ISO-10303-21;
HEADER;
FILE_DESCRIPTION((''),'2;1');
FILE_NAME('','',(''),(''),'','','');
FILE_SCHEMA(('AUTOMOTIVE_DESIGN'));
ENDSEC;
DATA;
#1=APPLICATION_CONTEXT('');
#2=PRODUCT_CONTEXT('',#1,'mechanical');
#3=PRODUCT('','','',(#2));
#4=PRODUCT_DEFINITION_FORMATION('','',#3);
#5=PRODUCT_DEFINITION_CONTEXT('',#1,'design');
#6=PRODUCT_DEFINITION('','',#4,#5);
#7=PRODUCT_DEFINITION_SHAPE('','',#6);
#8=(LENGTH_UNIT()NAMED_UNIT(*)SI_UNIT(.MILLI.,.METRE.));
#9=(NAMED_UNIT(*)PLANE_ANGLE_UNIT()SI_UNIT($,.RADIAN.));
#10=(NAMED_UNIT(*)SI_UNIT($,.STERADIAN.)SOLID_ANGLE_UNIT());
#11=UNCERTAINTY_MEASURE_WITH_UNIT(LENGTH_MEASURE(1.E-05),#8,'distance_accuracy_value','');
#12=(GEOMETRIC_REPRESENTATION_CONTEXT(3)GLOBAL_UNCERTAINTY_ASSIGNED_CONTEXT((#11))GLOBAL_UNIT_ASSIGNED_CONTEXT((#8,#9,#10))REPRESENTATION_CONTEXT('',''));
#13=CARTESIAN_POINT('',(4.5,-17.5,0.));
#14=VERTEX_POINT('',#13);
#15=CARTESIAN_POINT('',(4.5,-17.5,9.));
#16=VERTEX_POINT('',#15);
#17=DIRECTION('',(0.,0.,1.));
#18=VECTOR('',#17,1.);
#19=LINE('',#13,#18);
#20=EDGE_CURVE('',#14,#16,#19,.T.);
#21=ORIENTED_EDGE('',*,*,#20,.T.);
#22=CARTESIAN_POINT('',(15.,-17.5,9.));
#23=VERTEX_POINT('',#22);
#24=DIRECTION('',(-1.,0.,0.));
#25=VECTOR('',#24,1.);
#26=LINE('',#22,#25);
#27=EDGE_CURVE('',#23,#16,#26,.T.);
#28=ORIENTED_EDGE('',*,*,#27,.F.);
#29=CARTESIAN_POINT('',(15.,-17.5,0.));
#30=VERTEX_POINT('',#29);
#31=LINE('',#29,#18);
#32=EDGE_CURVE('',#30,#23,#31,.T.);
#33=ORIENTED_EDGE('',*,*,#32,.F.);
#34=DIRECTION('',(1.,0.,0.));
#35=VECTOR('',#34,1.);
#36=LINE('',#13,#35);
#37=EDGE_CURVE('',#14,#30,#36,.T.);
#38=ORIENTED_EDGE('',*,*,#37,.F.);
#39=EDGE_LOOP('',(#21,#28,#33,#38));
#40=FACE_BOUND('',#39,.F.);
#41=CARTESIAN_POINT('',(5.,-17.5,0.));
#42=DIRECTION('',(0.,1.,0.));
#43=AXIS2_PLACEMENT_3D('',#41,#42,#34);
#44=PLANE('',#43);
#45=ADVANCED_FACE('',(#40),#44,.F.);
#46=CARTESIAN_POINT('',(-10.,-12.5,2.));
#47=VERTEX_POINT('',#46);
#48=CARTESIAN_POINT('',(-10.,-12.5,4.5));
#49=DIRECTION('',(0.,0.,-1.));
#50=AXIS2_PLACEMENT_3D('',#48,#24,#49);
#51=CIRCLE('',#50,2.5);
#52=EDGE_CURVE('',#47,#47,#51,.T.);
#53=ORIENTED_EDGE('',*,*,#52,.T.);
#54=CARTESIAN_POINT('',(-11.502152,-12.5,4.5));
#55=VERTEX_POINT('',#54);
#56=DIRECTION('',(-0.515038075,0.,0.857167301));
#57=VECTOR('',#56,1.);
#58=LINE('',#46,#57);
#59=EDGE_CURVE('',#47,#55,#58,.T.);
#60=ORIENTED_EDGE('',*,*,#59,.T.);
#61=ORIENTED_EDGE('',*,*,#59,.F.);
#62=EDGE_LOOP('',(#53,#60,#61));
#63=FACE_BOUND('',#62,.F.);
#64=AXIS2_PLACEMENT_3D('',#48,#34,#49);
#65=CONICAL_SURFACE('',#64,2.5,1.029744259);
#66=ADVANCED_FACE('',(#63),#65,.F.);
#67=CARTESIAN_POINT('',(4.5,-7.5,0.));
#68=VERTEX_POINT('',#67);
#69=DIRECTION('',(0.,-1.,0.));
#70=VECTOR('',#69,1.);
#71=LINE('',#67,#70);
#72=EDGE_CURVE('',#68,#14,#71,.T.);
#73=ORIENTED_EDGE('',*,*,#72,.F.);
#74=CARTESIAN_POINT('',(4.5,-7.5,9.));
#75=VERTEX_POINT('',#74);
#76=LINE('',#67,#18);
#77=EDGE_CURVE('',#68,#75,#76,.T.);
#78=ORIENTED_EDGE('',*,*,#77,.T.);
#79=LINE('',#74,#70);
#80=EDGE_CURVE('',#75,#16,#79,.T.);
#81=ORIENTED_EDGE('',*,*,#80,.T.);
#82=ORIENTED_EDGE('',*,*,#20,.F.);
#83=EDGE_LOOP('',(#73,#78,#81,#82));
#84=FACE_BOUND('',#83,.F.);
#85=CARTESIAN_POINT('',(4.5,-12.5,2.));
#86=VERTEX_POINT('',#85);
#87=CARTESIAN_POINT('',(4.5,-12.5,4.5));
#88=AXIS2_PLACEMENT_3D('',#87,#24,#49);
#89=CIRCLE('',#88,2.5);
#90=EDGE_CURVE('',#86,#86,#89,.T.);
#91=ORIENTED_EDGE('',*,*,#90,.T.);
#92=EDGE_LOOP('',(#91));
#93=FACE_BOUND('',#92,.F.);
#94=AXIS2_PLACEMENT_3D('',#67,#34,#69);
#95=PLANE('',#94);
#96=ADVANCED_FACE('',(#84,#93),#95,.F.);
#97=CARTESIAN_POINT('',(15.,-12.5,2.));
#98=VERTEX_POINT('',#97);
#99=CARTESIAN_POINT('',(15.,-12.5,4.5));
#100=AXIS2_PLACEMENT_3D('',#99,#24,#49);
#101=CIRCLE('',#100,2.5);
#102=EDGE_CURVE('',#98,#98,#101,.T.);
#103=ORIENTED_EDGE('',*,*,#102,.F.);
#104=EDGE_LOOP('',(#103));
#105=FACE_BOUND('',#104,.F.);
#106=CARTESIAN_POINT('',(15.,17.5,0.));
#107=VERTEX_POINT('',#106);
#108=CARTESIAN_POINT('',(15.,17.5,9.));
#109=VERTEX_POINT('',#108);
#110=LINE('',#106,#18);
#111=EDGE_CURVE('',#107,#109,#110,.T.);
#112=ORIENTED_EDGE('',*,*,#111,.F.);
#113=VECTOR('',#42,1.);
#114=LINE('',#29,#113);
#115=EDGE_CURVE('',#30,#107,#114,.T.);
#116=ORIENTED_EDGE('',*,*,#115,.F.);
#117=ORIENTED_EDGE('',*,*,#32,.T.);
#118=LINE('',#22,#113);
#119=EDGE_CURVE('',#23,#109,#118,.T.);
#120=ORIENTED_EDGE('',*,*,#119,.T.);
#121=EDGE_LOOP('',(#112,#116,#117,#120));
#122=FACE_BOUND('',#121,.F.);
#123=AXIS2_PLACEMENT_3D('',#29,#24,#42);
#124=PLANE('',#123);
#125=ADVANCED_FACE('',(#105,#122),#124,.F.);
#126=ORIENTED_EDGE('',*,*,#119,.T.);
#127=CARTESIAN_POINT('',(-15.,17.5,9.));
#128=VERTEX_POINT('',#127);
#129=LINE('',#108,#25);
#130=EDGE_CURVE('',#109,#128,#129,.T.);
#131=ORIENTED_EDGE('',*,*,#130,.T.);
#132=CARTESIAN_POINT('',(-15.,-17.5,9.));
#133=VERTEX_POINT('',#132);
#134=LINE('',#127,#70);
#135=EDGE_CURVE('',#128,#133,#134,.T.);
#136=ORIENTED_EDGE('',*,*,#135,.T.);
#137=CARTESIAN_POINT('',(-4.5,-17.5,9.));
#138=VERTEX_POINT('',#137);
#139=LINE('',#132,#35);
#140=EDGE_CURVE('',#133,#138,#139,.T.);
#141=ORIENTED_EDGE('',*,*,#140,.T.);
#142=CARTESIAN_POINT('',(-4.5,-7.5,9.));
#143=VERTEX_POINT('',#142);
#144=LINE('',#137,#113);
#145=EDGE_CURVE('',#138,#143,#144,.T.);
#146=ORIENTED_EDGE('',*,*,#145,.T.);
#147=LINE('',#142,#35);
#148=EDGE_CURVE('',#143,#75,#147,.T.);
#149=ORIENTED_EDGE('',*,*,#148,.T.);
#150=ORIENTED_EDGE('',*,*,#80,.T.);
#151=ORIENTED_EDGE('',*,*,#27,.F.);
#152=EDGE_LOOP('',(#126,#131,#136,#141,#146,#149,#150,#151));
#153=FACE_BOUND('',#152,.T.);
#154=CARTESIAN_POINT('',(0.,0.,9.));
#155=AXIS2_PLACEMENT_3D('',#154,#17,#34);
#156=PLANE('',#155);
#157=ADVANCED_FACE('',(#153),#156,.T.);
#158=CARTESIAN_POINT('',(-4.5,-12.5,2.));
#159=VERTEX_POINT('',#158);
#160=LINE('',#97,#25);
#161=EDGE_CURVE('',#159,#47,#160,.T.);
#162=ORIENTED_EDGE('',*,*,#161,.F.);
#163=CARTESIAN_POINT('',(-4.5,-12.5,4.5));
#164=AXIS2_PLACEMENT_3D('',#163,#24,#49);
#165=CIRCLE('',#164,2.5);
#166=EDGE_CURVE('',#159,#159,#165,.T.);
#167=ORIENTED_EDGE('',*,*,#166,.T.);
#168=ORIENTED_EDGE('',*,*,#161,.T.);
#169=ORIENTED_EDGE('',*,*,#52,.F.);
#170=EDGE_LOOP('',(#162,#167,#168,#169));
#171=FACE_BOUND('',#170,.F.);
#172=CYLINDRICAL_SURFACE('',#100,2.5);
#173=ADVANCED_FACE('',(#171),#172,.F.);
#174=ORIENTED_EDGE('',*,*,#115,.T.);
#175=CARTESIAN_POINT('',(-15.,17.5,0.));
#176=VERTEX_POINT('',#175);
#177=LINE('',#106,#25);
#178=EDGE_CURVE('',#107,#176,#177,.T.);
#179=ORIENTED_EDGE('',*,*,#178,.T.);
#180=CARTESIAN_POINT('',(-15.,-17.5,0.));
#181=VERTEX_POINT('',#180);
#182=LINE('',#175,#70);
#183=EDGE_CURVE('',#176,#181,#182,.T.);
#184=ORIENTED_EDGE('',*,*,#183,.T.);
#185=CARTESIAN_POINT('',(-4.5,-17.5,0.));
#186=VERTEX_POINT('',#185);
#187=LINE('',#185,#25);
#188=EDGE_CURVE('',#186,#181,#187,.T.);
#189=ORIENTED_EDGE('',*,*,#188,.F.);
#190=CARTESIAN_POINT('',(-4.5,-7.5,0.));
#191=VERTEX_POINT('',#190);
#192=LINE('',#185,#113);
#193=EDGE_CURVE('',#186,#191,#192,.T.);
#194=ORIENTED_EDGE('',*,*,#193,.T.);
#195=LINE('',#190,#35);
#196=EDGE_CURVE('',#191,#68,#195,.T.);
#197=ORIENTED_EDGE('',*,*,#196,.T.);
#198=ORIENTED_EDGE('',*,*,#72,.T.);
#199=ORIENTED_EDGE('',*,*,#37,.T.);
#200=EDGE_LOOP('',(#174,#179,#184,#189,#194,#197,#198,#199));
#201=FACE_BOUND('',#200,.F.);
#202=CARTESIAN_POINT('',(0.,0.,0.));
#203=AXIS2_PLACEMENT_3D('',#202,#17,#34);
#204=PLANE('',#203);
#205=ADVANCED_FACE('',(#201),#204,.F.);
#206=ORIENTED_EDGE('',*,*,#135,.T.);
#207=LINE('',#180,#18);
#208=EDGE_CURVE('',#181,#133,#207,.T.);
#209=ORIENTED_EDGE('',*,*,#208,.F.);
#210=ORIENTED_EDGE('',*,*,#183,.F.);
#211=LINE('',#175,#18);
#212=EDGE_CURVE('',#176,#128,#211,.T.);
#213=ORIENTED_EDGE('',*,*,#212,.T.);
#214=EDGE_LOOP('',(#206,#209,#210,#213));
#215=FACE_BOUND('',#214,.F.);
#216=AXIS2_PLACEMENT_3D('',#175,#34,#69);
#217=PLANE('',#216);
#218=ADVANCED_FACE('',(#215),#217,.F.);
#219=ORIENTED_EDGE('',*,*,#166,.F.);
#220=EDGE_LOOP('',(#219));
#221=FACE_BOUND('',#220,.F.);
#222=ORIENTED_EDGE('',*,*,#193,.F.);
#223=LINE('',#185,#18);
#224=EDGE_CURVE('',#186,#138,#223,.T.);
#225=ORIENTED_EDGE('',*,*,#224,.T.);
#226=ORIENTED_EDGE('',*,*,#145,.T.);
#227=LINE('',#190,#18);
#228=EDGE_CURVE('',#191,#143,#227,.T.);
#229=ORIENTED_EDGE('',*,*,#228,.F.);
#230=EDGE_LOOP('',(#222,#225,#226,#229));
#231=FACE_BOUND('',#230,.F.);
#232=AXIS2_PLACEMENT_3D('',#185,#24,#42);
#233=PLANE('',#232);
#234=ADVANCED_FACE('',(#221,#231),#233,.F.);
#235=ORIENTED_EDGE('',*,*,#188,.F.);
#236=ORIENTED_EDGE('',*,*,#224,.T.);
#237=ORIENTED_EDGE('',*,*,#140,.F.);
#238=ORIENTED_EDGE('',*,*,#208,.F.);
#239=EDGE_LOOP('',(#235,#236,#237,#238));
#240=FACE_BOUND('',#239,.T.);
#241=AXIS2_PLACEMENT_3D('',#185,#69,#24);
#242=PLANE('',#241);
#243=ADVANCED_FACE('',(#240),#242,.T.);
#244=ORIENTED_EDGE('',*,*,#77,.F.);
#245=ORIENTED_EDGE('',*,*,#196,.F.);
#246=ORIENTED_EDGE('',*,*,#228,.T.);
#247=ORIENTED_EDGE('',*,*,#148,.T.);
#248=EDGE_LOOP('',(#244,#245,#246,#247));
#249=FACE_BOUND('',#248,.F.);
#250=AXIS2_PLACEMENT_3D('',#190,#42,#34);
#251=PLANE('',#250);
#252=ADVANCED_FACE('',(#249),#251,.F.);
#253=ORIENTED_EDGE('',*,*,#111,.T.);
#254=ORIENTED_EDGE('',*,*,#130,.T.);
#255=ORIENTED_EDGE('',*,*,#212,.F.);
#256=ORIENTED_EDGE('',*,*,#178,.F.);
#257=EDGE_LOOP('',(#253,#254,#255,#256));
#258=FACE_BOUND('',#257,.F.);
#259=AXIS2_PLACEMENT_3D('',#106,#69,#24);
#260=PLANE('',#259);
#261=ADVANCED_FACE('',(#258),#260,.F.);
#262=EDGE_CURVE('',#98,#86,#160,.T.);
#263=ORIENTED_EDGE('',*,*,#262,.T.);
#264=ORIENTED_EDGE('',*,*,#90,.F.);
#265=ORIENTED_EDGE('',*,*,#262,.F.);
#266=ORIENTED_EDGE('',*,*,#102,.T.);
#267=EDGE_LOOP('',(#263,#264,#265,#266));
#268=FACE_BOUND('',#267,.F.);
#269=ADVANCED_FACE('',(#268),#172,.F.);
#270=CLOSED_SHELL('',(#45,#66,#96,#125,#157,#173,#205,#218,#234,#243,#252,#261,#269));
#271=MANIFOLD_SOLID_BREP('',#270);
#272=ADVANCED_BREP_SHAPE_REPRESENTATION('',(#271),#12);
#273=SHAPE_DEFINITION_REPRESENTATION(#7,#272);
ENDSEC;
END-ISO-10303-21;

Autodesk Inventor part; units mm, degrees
ref_plane "YZ Plane" through (0, 0, 0) normal (1, 0, 0) x (0, 1, 0)
ref_plane "XZ Plane" through (0, 0, 0) normal (0, 1, 0) x (-1, 0, 0)
ref_plane "XY Plane" through (0, 0, 0) normal (0, 0, 1) x (1, 0, 0)
sketch "Boceto1" plane through (0, 0, 0) normal (0, 0, 1) x (1, 0, 0)
  line L0 (15, -17.5) -> (15, 17.5)
  line L1 (15, 17.5) -> (-15, 17.5)
  line L2 (-15, 17.5) -> (-15, -17.5)
  line L3 (-15, -17.5) -> (-5, -17.5)
  line L4 (5, -17.5) -> (15, -17.5)
  line L5 (-4.5, -17.5) -> (-4.5, -7.5)
  line L6 (-4.5, -7.5) -> (4.5, -7.5)
  line L7 (4.5, -7.5) -> (4.5, -17.5)
  line L8 (-4.5, -17.5) -> (-5, -17.5)
  line L9 (4.5, -17.5) -> (5, -17.5)
  point P0 (0, 0)
  point P1 (15, 0)
  point P2 (0, -7.5)
  point P3 (0, -17.5)
  dimension "d0" = 30
  dimension "d1" = 35
  dimension "d7" = 10
  dimension "d8" = 9
  dimension "d9" = 15
extrude "Extrusión2" add sketch "Boceto1" along normal blind 9
sketch "Boceto2" plane through (15, -17.5, 0) normal (1, 0, 0) x (0, 0, -1)
  line L0 (0, 35) -> (0, 0) projected
  line L1 (0, 35) -> (-9, 35) projected
  line L2 (-9, 0) -> (-9, 35) projected
  line L3 (0, 0) -> (-9, 0) projected
  point P0 (0, 17.5)
  point P1 (-4.5, 5)
  dimension "d12" = 4.5
  dimension "d13" = 5
hole "Agujero1" at (15, -12.5, 4.5) direction (-1, 0, 0) diameter 5 depth 25 tip angle 118
properties part number "Tope para Motor" material "Abedul"
